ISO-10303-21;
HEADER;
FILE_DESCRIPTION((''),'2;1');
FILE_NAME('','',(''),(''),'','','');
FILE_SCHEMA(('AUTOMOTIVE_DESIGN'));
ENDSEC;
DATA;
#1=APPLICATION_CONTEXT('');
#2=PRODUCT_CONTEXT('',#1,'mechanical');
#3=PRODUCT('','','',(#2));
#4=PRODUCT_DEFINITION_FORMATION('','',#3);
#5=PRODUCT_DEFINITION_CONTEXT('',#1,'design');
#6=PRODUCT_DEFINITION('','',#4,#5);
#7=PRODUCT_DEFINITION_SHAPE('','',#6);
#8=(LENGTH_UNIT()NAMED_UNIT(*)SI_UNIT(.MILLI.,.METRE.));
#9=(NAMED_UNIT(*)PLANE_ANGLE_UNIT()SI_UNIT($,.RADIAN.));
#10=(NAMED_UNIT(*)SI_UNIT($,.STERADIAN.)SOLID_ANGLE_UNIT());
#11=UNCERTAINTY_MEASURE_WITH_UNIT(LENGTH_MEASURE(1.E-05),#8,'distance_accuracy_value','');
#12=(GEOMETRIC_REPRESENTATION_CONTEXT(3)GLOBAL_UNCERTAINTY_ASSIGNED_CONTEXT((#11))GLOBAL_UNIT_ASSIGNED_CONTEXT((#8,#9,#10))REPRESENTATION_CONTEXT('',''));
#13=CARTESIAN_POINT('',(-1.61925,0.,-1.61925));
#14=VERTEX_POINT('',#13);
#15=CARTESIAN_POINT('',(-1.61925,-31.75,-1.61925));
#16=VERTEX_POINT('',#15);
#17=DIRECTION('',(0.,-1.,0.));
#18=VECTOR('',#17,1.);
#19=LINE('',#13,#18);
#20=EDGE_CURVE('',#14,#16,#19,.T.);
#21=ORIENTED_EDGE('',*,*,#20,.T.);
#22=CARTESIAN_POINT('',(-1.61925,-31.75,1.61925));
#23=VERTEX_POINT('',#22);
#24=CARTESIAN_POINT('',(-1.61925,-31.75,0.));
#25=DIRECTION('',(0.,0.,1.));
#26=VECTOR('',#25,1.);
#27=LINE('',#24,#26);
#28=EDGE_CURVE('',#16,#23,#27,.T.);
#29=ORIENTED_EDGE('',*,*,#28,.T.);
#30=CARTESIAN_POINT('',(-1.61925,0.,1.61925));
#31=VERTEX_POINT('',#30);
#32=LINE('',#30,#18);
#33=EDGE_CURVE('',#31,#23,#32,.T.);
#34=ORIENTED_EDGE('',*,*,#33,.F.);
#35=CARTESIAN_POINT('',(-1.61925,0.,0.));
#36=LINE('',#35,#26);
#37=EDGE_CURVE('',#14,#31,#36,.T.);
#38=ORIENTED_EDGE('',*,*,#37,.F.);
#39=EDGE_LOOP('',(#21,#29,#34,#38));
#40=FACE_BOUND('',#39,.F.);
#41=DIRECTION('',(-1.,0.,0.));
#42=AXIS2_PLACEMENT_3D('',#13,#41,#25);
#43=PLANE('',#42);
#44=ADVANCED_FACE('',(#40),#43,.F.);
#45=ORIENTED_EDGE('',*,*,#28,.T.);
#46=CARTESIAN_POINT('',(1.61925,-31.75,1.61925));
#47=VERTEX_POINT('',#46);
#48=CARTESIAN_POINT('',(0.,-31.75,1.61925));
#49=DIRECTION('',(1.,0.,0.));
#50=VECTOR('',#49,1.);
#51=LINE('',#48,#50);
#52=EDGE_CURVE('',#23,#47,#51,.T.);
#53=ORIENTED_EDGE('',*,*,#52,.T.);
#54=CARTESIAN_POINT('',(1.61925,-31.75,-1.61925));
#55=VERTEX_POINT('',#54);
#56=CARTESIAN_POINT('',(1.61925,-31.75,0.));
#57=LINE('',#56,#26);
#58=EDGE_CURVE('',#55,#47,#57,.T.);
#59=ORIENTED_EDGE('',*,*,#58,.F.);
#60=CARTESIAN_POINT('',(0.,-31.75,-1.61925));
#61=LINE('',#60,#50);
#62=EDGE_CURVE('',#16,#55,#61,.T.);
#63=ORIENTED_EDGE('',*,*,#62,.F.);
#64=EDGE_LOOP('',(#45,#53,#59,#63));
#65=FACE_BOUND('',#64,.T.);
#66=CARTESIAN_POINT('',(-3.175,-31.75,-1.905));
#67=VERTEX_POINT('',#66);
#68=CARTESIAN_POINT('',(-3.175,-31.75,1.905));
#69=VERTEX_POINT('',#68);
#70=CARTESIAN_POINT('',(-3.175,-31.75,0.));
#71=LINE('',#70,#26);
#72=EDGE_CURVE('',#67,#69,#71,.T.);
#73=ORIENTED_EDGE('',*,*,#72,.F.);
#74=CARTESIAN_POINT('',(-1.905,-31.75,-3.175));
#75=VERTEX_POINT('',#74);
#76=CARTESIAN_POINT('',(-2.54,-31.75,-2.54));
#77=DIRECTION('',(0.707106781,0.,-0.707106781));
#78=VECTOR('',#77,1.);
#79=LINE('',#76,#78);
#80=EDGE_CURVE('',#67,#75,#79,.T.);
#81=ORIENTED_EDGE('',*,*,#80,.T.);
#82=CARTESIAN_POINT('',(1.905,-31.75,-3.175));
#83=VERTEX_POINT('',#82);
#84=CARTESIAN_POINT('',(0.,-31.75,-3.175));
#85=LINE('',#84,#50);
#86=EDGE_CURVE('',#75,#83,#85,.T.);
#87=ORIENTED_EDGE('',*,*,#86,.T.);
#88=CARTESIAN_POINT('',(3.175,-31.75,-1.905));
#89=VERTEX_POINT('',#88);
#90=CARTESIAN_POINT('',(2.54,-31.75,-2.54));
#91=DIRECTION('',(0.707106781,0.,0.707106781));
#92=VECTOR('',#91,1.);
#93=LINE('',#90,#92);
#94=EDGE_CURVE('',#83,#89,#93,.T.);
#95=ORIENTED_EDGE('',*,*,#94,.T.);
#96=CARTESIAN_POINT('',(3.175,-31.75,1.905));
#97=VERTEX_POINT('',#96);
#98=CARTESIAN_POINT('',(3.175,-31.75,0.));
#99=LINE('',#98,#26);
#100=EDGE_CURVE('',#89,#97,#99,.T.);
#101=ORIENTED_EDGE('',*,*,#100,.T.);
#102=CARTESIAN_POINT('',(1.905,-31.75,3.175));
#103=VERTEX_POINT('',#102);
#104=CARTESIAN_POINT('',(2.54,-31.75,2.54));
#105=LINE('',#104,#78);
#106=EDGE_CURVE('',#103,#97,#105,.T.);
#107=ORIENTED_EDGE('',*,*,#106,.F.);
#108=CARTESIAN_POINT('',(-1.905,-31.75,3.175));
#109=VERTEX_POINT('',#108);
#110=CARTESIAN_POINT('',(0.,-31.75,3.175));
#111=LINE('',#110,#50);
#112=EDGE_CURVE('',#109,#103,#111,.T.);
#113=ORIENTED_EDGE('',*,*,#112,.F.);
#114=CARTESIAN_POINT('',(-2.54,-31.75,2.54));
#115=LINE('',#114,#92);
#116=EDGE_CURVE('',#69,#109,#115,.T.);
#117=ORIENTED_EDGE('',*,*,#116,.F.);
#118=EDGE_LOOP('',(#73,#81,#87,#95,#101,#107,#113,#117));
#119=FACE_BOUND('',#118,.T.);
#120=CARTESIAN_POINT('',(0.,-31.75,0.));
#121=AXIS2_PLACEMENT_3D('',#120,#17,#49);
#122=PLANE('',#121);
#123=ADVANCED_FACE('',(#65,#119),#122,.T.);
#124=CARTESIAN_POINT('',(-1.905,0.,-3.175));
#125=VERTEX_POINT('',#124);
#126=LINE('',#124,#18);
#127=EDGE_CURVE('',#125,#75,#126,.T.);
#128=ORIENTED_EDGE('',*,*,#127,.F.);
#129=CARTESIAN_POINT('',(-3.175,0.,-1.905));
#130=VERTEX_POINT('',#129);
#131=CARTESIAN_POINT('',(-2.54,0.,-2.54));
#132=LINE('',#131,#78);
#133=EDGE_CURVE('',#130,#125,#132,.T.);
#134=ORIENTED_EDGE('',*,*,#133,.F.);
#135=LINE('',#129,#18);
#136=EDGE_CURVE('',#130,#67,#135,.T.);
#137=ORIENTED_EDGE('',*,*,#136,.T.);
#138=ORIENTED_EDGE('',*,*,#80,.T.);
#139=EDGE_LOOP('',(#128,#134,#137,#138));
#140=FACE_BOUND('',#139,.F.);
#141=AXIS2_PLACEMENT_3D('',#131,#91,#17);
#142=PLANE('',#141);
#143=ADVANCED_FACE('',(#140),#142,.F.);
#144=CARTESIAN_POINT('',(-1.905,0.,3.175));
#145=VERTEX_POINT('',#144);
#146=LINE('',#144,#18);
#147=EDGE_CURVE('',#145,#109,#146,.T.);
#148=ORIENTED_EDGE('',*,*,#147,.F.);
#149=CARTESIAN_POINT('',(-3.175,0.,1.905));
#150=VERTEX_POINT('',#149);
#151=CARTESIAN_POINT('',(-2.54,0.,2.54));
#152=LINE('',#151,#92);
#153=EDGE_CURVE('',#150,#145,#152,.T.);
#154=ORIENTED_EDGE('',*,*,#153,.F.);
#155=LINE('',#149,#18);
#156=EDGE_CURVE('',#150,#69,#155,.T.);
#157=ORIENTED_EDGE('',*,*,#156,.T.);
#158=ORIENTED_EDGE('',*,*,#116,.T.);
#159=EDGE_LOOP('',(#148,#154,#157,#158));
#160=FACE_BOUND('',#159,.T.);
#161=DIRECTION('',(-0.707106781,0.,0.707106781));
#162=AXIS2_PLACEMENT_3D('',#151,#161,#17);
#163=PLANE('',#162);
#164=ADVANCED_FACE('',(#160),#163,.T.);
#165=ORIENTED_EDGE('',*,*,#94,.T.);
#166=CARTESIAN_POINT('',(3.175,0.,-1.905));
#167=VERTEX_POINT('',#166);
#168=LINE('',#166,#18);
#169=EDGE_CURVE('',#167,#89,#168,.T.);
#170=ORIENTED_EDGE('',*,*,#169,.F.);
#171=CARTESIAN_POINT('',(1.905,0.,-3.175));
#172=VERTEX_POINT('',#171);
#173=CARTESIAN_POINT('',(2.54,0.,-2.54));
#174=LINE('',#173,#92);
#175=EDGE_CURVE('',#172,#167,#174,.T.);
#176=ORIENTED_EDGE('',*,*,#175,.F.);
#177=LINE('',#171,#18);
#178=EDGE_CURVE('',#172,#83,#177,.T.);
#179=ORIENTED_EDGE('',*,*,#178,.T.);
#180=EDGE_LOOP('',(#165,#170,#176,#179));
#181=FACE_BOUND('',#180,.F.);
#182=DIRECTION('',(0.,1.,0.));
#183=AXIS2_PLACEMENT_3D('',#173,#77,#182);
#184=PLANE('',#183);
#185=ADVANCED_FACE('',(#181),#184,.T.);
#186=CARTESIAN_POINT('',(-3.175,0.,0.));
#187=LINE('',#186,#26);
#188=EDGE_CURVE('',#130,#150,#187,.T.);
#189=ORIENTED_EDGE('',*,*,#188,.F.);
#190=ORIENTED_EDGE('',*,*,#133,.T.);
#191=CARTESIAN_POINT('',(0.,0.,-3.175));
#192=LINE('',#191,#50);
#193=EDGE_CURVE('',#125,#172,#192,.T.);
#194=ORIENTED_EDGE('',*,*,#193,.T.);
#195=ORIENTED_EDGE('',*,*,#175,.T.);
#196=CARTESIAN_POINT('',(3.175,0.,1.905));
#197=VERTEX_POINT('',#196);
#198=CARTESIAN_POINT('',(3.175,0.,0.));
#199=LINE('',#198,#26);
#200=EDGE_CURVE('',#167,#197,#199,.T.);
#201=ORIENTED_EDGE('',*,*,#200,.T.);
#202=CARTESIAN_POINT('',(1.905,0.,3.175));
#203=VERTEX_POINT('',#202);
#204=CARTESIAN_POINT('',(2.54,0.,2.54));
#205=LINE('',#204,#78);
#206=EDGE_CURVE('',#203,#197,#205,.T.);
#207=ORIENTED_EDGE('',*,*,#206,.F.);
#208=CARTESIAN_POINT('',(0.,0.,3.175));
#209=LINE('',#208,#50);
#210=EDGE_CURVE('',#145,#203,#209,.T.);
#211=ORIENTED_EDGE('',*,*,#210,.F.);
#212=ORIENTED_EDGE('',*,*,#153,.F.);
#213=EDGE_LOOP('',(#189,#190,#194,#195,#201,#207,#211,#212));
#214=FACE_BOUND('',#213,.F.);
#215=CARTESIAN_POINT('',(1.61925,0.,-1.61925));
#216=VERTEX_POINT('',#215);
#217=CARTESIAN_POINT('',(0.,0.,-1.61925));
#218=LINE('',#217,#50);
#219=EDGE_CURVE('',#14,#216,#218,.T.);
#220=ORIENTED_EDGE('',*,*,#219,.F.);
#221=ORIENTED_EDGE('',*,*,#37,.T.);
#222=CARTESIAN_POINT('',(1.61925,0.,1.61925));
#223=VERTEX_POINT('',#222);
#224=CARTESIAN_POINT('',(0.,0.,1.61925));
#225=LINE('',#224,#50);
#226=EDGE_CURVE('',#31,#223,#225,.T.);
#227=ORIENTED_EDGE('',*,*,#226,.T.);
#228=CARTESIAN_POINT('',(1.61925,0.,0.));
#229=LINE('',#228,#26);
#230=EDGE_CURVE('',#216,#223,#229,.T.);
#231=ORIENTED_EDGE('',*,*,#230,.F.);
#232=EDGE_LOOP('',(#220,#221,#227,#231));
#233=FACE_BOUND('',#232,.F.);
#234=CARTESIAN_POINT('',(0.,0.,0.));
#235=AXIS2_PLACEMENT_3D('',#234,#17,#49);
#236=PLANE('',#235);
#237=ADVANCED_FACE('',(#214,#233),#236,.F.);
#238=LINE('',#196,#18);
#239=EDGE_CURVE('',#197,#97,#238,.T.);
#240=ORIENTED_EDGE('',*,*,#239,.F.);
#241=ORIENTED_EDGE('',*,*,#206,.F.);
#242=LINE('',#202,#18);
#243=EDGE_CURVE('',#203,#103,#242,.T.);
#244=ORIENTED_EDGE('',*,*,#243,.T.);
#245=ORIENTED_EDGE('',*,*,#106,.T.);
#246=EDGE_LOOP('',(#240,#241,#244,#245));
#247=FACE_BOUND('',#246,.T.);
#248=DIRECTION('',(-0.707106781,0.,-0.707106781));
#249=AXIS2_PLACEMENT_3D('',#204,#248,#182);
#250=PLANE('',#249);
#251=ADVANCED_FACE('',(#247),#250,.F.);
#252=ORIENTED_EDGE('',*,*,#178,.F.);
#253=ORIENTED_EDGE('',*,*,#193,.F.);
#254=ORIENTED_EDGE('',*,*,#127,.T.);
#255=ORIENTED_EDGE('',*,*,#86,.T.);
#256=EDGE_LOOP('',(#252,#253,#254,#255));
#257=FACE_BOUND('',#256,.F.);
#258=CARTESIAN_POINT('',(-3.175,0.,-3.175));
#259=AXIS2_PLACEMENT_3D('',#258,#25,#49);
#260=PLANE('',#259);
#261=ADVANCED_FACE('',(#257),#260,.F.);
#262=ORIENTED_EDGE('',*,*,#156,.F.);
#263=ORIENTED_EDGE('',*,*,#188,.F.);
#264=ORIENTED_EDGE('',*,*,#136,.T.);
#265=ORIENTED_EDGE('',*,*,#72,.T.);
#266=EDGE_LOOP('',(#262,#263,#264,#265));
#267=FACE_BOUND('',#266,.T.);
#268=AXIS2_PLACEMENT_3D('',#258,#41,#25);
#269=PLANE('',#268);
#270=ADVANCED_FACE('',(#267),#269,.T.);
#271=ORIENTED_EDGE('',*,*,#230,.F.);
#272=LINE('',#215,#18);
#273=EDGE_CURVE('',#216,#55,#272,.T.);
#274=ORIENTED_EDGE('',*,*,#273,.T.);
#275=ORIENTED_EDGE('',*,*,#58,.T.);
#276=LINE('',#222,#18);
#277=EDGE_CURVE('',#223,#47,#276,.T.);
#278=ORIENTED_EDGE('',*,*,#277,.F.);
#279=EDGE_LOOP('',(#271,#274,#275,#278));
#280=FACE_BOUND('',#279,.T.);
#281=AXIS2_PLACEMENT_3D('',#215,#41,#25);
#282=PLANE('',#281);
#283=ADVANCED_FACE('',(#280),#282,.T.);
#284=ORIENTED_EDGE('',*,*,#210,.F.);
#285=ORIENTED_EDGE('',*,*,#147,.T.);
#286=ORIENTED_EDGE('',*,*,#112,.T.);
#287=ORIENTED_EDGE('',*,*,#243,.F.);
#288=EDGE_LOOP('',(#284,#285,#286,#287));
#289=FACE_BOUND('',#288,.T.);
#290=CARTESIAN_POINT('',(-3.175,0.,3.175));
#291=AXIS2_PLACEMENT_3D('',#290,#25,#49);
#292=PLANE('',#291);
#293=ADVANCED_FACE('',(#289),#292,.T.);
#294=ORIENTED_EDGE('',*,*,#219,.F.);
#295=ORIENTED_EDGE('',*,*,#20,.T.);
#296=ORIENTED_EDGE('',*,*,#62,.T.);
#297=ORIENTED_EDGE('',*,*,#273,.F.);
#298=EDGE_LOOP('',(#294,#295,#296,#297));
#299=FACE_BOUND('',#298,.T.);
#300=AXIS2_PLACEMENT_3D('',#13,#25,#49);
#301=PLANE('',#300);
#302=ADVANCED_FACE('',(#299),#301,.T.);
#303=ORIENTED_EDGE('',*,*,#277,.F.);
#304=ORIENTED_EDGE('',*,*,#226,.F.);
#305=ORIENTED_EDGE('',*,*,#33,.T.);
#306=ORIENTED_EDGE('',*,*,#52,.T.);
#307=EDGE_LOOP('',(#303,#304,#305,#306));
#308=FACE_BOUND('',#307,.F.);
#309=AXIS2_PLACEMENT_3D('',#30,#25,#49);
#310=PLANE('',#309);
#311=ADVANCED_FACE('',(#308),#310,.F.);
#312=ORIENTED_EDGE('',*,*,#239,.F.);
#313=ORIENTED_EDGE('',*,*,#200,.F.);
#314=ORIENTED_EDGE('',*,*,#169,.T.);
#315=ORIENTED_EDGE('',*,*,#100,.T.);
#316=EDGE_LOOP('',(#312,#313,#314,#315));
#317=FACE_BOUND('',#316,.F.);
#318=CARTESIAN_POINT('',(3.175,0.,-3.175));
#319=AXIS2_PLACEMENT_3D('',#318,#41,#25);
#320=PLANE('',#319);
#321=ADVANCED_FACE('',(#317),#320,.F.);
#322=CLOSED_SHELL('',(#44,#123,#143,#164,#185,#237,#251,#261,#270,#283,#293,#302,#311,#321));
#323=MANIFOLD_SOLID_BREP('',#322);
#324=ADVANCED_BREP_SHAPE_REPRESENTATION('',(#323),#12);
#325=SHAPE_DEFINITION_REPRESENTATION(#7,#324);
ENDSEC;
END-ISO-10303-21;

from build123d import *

# Parameters (mm, degrees)
F0_W     = 6.35
F0_H     = 6.35
F0_W_2   = 3.2385
F0_H_2   = 3.2385
F1_DEPTH = 31.75
F2_SIZE  = 1.27


with BuildPart() as f1:
    # F0 (on Front) → F1 (new body)
    with BuildSketch(Plane.XZ):
        Rectangle(F0_W, F0_H)
        Rectangle(F0_W_2, F0_H_2, mode=Mode.SUBTRACT)
    extrude(amount=F1_DEPTH)

    # F2
    f2_edges = [f1.edges().sort_by_distance(p)[0] for p in [
        (3.175, -15.875, 3.175),
        (3.175, -15.875, -3.175),
        (-3.175, -15.875, -3.175),
        (-3.175, -15.875, 3.175),
    ]]
    chamfer(f2_edges, length=F2_SIZE)


solid = f1.part
